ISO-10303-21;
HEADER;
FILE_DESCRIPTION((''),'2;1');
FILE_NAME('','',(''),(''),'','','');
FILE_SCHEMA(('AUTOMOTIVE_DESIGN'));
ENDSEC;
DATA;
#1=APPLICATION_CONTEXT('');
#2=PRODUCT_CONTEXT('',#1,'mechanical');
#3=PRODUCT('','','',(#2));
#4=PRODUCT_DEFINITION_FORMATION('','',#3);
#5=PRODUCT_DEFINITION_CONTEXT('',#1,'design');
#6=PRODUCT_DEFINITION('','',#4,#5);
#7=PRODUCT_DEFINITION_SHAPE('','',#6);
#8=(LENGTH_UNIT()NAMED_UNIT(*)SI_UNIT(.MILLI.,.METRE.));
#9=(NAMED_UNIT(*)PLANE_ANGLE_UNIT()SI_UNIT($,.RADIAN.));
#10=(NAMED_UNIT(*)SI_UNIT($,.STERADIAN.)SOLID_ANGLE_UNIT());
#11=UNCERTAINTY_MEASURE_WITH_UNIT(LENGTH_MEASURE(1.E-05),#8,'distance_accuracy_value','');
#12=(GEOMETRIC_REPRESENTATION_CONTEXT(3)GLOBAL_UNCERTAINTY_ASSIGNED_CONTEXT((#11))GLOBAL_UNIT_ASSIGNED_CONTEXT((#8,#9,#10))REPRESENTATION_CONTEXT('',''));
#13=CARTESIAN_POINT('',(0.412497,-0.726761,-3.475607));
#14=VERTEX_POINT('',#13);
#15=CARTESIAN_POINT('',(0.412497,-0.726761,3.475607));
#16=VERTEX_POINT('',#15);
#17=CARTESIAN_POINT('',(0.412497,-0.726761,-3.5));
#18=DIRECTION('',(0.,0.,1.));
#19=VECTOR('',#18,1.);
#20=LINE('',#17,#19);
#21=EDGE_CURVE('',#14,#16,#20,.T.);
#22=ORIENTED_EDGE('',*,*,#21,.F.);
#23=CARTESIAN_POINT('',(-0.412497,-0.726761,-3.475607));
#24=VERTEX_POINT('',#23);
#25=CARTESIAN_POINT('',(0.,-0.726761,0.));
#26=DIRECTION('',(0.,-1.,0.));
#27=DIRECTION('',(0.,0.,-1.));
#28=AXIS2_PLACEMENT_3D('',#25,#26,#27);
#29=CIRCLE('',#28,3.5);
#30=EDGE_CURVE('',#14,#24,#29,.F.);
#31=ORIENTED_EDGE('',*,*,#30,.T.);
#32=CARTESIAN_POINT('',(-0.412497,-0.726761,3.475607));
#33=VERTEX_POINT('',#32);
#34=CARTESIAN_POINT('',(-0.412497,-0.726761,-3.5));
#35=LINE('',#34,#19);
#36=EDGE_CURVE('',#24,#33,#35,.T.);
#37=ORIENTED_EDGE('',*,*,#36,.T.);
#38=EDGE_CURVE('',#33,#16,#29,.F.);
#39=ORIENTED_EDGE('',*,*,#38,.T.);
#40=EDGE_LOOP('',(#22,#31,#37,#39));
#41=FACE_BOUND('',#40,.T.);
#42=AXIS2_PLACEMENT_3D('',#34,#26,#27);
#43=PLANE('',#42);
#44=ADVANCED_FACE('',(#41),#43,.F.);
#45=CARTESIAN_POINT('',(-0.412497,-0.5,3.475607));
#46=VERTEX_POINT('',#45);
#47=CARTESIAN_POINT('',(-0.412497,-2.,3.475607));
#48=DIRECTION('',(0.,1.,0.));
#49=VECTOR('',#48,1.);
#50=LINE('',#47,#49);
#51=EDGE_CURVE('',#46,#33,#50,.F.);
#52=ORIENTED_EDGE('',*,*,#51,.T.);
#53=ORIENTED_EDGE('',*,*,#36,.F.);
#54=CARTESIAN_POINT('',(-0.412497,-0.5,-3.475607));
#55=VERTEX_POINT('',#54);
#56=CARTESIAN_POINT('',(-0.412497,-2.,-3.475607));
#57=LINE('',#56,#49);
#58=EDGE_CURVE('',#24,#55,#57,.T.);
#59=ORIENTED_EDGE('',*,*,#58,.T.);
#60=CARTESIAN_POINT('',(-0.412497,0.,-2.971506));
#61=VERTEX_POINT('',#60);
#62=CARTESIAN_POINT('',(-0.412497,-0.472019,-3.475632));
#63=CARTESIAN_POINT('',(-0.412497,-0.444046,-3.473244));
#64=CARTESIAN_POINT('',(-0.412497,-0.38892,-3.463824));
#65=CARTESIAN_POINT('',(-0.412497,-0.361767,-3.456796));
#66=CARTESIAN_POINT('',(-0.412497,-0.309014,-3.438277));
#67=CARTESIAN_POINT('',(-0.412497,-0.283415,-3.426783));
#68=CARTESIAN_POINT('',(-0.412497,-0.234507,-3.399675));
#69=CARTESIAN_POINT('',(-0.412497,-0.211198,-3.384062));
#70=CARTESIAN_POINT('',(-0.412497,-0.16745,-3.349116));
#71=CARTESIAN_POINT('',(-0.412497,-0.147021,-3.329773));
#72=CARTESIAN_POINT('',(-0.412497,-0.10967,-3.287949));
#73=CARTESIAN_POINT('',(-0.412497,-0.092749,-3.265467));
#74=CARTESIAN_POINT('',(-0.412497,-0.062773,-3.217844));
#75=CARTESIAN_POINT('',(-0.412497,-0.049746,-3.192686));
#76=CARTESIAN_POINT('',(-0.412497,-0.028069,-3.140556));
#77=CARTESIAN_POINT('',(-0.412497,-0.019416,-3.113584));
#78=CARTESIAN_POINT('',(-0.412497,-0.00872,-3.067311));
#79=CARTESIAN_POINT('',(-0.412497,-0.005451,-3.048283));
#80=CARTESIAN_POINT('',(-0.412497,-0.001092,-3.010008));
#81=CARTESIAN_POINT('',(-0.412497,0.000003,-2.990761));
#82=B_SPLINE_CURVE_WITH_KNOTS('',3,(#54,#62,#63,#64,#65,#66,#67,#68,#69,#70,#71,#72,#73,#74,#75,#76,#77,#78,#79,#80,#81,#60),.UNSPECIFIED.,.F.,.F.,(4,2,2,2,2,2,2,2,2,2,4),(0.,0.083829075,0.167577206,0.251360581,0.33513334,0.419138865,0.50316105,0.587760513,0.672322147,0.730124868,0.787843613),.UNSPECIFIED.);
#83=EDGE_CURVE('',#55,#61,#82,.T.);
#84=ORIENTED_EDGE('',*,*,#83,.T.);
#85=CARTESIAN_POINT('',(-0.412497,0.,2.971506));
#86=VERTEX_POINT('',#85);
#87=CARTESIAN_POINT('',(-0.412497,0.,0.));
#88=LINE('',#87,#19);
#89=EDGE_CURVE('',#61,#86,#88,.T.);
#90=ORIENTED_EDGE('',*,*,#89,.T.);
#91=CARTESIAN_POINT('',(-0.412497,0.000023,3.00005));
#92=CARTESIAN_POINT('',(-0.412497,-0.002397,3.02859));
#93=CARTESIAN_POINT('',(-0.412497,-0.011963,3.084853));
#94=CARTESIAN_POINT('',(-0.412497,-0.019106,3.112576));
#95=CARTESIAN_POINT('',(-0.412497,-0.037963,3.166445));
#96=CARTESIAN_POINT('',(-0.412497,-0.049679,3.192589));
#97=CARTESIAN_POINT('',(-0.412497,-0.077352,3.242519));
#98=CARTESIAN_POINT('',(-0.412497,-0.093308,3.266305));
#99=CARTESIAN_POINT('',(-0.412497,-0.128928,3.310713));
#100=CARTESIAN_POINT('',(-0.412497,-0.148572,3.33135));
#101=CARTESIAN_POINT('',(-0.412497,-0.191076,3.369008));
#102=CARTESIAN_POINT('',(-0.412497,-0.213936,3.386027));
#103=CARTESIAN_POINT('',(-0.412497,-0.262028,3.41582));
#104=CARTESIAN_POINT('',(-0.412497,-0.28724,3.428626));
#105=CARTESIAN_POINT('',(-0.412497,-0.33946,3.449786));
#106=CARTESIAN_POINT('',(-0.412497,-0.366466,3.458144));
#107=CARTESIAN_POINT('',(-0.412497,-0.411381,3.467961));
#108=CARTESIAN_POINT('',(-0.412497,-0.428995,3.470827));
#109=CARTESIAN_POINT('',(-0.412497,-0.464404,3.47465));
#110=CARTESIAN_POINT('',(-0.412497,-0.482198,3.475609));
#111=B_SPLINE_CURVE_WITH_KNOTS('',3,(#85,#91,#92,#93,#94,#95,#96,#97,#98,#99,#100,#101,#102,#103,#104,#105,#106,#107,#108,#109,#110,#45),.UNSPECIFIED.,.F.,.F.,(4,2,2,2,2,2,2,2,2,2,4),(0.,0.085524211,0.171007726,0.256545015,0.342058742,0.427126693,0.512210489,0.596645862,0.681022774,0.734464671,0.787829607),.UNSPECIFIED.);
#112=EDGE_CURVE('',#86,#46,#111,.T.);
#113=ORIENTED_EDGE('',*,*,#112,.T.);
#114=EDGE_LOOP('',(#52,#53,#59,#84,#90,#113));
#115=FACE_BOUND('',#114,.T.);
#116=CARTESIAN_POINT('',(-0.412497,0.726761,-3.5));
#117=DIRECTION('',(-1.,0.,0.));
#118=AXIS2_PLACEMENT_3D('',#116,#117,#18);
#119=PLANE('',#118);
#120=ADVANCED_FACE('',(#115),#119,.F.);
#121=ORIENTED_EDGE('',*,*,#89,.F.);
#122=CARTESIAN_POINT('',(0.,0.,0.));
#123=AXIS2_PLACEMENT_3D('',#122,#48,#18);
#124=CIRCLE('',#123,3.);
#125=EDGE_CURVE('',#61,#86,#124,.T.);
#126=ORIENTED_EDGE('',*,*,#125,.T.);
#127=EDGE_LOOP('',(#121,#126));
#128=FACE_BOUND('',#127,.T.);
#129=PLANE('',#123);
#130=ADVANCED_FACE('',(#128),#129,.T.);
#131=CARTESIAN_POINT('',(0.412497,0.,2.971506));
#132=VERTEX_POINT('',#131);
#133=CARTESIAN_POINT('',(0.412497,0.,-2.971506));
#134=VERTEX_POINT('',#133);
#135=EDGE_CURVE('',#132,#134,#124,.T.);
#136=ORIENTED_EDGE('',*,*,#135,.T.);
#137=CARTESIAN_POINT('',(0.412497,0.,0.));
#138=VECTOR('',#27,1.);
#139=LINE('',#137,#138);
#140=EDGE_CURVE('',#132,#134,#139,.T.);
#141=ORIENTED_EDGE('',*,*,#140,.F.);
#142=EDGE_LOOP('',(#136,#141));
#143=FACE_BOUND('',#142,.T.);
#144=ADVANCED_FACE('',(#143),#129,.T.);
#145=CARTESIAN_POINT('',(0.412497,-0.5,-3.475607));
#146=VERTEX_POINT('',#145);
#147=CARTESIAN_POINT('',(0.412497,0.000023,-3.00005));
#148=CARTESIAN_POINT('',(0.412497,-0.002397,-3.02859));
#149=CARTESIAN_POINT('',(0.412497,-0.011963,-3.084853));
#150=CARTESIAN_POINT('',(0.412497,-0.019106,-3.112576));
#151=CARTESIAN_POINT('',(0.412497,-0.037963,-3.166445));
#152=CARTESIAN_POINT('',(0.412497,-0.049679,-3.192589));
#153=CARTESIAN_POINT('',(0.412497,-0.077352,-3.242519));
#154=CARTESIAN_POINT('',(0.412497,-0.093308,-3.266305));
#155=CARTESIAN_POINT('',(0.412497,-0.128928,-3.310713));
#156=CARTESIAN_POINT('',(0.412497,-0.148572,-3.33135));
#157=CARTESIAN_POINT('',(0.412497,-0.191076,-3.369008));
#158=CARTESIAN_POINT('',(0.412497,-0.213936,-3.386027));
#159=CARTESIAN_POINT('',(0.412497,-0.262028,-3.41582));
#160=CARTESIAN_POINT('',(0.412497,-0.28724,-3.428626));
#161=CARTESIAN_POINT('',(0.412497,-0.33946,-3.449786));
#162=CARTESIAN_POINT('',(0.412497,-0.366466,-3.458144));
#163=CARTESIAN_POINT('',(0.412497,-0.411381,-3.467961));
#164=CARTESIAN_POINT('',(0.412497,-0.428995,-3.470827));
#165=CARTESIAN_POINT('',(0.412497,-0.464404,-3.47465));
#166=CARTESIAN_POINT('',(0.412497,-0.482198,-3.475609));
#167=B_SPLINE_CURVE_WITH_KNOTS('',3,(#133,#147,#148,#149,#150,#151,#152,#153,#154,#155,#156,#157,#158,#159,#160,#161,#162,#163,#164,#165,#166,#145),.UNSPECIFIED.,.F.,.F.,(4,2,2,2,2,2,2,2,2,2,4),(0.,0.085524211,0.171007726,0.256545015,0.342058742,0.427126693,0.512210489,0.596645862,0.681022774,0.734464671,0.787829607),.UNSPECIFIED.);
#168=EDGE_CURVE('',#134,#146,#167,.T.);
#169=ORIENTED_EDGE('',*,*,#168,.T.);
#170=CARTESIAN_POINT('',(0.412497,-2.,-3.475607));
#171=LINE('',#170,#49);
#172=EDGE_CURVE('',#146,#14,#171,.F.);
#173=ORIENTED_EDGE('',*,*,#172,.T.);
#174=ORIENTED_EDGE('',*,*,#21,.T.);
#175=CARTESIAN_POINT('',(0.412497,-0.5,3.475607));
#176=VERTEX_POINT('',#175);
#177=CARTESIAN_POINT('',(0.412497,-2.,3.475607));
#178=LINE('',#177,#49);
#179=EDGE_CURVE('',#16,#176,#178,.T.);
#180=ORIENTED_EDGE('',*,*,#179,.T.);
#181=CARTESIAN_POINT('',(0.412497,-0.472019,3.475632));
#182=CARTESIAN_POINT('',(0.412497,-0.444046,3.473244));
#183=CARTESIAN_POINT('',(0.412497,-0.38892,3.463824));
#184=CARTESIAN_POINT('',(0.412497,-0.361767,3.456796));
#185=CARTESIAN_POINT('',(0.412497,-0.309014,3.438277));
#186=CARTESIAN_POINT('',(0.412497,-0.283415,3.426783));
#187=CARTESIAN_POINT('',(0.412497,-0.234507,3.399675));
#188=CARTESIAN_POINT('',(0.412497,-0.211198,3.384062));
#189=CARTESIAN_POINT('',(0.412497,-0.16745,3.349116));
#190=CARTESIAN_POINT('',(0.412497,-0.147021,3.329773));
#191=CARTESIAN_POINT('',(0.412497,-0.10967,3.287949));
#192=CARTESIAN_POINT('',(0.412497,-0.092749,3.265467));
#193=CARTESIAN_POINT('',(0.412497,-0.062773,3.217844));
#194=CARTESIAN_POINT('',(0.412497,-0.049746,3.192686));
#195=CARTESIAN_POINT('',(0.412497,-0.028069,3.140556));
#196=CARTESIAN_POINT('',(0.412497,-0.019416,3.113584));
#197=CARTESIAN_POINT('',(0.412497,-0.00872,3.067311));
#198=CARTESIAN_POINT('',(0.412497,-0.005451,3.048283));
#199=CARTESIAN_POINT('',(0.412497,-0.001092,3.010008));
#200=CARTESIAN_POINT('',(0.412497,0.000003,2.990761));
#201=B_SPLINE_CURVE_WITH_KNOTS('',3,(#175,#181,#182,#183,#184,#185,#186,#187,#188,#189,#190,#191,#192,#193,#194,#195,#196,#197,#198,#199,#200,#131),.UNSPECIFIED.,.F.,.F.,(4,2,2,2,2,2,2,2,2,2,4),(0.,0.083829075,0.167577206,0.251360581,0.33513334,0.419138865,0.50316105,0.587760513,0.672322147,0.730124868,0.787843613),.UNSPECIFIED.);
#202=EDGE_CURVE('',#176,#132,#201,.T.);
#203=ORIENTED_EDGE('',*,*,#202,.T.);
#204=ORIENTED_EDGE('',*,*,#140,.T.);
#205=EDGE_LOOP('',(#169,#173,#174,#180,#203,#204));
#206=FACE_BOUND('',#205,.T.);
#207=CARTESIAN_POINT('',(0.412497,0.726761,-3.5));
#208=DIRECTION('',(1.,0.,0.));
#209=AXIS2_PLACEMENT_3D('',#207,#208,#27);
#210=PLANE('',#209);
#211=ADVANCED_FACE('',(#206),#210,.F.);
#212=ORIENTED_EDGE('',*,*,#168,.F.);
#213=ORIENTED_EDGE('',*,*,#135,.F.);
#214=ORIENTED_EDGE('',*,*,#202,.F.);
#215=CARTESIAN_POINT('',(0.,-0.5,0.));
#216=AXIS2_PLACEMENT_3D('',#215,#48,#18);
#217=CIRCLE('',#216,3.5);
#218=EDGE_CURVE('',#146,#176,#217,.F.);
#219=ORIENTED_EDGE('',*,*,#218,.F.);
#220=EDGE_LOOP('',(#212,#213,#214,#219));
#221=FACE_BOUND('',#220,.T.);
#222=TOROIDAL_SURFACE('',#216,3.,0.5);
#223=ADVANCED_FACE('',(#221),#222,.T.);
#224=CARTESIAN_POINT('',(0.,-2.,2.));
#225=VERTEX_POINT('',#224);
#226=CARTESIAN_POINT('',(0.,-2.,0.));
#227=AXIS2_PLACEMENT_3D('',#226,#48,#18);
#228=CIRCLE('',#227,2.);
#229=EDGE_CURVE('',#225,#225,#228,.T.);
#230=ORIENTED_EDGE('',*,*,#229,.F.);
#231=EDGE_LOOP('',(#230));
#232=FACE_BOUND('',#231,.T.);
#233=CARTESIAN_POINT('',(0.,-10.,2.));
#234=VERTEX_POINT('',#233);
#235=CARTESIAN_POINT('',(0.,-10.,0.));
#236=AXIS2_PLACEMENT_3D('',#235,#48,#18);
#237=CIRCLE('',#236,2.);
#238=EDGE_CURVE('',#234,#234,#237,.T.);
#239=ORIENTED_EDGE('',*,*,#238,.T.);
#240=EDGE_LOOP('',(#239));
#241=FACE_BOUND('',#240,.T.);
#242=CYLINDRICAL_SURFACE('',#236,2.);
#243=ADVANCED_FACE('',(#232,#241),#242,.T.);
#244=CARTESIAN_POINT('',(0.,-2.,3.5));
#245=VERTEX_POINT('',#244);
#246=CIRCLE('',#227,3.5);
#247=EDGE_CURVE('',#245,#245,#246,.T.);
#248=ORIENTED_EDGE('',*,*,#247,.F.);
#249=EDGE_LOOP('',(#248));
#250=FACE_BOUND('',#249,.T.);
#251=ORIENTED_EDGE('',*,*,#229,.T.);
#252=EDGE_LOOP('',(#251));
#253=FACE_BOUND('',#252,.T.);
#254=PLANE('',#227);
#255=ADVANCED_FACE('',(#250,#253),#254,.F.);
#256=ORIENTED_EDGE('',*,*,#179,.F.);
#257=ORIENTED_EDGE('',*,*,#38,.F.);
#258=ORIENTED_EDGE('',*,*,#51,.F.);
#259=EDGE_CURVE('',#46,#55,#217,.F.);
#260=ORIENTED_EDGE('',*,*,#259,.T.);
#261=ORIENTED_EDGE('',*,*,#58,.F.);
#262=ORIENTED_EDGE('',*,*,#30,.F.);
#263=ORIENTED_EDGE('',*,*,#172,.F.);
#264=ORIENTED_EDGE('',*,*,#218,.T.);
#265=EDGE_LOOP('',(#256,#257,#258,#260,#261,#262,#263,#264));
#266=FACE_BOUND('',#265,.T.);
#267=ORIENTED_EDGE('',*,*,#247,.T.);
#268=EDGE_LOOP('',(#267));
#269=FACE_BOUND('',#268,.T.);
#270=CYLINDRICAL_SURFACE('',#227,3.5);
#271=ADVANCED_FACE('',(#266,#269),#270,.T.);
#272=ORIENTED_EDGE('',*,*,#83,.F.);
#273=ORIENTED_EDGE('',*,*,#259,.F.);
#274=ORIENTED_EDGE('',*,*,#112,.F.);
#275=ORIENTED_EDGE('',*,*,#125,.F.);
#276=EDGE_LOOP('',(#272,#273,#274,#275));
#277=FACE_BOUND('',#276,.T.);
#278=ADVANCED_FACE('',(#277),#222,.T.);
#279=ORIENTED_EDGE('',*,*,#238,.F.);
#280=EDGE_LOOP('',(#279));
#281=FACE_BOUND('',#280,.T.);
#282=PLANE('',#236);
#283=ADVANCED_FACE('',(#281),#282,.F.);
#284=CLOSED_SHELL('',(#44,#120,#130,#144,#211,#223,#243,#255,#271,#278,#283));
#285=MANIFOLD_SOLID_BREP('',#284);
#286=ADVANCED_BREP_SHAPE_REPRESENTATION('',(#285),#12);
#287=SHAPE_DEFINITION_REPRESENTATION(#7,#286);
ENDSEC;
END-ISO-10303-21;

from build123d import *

# Parameters (mm, degrees)
SKETCH1_R               = 3.5
SKETCH1_R_2             = 2
BOSS_EXTRUDE1_DEPTH     = 2
SKETCH1_2_R             = 2
BOSS_EXTRUDE2_DEPTH     = 10
SKETCH2_W               = 0.824993444
SKETCH2_H               = 1.453522708
CUT_EXTRUDE1_DEPTH      = 4.5
CUT_EXTRUDE1_DEPTH_BACK = 4.5
FILLET2_R               = 0.5


with BuildPart() as part:
    # Sketch1 → Boss-Extrude1 (new body)
    with BuildSketch(Plane(origin=(0, 0, 0), x_dir=(1, 0, 0), z_dir=(0, 1, 0))):
        Circle(SKETCH1_R)
        Circle(SKETCH1_R_2, mode=Mode.SUBTRACT)
    extrude(amount=-BOSS_EXTRUDE1_DEPTH)

    # Sketch1<2> → Boss-Extrude2 (add)
    with BuildSketch(Plane(origin=(0, 0, 0), x_dir=(1, 0, 0), z_dir=(0, 1, 0))):
        Circle(SKETCH1_2_R)
    extrude(amount=-BOSS_EXTRUDE2_DEPTH)

    # Sketch2 → Cut-Extrude1 (cut, two sides)
    with BuildSketch(Plane.XY) as cut_extrude1_sk:
        Rectangle(SKETCH2_W, SKETCH2_H)
    extrude(amount=CUT_EXTRUDE1_DEPTH, mode=Mode.SUBTRACT)
    extrude(cut_extrude1_sk.sketch, amount=-CUT_EXTRUDE1_DEPTH_BACK, mode=Mode.SUBTRACT)

    # Fillet2
    fillet2_edges = [part.edges().sort_by_distance(p)[0] for p in [
        (2.616652301, 0, -2.324463537),
        (-3.5, 0, 0),
    ]]
    fillet(fillet2_edges, radius=FILLET2_R)


solid = part.part
